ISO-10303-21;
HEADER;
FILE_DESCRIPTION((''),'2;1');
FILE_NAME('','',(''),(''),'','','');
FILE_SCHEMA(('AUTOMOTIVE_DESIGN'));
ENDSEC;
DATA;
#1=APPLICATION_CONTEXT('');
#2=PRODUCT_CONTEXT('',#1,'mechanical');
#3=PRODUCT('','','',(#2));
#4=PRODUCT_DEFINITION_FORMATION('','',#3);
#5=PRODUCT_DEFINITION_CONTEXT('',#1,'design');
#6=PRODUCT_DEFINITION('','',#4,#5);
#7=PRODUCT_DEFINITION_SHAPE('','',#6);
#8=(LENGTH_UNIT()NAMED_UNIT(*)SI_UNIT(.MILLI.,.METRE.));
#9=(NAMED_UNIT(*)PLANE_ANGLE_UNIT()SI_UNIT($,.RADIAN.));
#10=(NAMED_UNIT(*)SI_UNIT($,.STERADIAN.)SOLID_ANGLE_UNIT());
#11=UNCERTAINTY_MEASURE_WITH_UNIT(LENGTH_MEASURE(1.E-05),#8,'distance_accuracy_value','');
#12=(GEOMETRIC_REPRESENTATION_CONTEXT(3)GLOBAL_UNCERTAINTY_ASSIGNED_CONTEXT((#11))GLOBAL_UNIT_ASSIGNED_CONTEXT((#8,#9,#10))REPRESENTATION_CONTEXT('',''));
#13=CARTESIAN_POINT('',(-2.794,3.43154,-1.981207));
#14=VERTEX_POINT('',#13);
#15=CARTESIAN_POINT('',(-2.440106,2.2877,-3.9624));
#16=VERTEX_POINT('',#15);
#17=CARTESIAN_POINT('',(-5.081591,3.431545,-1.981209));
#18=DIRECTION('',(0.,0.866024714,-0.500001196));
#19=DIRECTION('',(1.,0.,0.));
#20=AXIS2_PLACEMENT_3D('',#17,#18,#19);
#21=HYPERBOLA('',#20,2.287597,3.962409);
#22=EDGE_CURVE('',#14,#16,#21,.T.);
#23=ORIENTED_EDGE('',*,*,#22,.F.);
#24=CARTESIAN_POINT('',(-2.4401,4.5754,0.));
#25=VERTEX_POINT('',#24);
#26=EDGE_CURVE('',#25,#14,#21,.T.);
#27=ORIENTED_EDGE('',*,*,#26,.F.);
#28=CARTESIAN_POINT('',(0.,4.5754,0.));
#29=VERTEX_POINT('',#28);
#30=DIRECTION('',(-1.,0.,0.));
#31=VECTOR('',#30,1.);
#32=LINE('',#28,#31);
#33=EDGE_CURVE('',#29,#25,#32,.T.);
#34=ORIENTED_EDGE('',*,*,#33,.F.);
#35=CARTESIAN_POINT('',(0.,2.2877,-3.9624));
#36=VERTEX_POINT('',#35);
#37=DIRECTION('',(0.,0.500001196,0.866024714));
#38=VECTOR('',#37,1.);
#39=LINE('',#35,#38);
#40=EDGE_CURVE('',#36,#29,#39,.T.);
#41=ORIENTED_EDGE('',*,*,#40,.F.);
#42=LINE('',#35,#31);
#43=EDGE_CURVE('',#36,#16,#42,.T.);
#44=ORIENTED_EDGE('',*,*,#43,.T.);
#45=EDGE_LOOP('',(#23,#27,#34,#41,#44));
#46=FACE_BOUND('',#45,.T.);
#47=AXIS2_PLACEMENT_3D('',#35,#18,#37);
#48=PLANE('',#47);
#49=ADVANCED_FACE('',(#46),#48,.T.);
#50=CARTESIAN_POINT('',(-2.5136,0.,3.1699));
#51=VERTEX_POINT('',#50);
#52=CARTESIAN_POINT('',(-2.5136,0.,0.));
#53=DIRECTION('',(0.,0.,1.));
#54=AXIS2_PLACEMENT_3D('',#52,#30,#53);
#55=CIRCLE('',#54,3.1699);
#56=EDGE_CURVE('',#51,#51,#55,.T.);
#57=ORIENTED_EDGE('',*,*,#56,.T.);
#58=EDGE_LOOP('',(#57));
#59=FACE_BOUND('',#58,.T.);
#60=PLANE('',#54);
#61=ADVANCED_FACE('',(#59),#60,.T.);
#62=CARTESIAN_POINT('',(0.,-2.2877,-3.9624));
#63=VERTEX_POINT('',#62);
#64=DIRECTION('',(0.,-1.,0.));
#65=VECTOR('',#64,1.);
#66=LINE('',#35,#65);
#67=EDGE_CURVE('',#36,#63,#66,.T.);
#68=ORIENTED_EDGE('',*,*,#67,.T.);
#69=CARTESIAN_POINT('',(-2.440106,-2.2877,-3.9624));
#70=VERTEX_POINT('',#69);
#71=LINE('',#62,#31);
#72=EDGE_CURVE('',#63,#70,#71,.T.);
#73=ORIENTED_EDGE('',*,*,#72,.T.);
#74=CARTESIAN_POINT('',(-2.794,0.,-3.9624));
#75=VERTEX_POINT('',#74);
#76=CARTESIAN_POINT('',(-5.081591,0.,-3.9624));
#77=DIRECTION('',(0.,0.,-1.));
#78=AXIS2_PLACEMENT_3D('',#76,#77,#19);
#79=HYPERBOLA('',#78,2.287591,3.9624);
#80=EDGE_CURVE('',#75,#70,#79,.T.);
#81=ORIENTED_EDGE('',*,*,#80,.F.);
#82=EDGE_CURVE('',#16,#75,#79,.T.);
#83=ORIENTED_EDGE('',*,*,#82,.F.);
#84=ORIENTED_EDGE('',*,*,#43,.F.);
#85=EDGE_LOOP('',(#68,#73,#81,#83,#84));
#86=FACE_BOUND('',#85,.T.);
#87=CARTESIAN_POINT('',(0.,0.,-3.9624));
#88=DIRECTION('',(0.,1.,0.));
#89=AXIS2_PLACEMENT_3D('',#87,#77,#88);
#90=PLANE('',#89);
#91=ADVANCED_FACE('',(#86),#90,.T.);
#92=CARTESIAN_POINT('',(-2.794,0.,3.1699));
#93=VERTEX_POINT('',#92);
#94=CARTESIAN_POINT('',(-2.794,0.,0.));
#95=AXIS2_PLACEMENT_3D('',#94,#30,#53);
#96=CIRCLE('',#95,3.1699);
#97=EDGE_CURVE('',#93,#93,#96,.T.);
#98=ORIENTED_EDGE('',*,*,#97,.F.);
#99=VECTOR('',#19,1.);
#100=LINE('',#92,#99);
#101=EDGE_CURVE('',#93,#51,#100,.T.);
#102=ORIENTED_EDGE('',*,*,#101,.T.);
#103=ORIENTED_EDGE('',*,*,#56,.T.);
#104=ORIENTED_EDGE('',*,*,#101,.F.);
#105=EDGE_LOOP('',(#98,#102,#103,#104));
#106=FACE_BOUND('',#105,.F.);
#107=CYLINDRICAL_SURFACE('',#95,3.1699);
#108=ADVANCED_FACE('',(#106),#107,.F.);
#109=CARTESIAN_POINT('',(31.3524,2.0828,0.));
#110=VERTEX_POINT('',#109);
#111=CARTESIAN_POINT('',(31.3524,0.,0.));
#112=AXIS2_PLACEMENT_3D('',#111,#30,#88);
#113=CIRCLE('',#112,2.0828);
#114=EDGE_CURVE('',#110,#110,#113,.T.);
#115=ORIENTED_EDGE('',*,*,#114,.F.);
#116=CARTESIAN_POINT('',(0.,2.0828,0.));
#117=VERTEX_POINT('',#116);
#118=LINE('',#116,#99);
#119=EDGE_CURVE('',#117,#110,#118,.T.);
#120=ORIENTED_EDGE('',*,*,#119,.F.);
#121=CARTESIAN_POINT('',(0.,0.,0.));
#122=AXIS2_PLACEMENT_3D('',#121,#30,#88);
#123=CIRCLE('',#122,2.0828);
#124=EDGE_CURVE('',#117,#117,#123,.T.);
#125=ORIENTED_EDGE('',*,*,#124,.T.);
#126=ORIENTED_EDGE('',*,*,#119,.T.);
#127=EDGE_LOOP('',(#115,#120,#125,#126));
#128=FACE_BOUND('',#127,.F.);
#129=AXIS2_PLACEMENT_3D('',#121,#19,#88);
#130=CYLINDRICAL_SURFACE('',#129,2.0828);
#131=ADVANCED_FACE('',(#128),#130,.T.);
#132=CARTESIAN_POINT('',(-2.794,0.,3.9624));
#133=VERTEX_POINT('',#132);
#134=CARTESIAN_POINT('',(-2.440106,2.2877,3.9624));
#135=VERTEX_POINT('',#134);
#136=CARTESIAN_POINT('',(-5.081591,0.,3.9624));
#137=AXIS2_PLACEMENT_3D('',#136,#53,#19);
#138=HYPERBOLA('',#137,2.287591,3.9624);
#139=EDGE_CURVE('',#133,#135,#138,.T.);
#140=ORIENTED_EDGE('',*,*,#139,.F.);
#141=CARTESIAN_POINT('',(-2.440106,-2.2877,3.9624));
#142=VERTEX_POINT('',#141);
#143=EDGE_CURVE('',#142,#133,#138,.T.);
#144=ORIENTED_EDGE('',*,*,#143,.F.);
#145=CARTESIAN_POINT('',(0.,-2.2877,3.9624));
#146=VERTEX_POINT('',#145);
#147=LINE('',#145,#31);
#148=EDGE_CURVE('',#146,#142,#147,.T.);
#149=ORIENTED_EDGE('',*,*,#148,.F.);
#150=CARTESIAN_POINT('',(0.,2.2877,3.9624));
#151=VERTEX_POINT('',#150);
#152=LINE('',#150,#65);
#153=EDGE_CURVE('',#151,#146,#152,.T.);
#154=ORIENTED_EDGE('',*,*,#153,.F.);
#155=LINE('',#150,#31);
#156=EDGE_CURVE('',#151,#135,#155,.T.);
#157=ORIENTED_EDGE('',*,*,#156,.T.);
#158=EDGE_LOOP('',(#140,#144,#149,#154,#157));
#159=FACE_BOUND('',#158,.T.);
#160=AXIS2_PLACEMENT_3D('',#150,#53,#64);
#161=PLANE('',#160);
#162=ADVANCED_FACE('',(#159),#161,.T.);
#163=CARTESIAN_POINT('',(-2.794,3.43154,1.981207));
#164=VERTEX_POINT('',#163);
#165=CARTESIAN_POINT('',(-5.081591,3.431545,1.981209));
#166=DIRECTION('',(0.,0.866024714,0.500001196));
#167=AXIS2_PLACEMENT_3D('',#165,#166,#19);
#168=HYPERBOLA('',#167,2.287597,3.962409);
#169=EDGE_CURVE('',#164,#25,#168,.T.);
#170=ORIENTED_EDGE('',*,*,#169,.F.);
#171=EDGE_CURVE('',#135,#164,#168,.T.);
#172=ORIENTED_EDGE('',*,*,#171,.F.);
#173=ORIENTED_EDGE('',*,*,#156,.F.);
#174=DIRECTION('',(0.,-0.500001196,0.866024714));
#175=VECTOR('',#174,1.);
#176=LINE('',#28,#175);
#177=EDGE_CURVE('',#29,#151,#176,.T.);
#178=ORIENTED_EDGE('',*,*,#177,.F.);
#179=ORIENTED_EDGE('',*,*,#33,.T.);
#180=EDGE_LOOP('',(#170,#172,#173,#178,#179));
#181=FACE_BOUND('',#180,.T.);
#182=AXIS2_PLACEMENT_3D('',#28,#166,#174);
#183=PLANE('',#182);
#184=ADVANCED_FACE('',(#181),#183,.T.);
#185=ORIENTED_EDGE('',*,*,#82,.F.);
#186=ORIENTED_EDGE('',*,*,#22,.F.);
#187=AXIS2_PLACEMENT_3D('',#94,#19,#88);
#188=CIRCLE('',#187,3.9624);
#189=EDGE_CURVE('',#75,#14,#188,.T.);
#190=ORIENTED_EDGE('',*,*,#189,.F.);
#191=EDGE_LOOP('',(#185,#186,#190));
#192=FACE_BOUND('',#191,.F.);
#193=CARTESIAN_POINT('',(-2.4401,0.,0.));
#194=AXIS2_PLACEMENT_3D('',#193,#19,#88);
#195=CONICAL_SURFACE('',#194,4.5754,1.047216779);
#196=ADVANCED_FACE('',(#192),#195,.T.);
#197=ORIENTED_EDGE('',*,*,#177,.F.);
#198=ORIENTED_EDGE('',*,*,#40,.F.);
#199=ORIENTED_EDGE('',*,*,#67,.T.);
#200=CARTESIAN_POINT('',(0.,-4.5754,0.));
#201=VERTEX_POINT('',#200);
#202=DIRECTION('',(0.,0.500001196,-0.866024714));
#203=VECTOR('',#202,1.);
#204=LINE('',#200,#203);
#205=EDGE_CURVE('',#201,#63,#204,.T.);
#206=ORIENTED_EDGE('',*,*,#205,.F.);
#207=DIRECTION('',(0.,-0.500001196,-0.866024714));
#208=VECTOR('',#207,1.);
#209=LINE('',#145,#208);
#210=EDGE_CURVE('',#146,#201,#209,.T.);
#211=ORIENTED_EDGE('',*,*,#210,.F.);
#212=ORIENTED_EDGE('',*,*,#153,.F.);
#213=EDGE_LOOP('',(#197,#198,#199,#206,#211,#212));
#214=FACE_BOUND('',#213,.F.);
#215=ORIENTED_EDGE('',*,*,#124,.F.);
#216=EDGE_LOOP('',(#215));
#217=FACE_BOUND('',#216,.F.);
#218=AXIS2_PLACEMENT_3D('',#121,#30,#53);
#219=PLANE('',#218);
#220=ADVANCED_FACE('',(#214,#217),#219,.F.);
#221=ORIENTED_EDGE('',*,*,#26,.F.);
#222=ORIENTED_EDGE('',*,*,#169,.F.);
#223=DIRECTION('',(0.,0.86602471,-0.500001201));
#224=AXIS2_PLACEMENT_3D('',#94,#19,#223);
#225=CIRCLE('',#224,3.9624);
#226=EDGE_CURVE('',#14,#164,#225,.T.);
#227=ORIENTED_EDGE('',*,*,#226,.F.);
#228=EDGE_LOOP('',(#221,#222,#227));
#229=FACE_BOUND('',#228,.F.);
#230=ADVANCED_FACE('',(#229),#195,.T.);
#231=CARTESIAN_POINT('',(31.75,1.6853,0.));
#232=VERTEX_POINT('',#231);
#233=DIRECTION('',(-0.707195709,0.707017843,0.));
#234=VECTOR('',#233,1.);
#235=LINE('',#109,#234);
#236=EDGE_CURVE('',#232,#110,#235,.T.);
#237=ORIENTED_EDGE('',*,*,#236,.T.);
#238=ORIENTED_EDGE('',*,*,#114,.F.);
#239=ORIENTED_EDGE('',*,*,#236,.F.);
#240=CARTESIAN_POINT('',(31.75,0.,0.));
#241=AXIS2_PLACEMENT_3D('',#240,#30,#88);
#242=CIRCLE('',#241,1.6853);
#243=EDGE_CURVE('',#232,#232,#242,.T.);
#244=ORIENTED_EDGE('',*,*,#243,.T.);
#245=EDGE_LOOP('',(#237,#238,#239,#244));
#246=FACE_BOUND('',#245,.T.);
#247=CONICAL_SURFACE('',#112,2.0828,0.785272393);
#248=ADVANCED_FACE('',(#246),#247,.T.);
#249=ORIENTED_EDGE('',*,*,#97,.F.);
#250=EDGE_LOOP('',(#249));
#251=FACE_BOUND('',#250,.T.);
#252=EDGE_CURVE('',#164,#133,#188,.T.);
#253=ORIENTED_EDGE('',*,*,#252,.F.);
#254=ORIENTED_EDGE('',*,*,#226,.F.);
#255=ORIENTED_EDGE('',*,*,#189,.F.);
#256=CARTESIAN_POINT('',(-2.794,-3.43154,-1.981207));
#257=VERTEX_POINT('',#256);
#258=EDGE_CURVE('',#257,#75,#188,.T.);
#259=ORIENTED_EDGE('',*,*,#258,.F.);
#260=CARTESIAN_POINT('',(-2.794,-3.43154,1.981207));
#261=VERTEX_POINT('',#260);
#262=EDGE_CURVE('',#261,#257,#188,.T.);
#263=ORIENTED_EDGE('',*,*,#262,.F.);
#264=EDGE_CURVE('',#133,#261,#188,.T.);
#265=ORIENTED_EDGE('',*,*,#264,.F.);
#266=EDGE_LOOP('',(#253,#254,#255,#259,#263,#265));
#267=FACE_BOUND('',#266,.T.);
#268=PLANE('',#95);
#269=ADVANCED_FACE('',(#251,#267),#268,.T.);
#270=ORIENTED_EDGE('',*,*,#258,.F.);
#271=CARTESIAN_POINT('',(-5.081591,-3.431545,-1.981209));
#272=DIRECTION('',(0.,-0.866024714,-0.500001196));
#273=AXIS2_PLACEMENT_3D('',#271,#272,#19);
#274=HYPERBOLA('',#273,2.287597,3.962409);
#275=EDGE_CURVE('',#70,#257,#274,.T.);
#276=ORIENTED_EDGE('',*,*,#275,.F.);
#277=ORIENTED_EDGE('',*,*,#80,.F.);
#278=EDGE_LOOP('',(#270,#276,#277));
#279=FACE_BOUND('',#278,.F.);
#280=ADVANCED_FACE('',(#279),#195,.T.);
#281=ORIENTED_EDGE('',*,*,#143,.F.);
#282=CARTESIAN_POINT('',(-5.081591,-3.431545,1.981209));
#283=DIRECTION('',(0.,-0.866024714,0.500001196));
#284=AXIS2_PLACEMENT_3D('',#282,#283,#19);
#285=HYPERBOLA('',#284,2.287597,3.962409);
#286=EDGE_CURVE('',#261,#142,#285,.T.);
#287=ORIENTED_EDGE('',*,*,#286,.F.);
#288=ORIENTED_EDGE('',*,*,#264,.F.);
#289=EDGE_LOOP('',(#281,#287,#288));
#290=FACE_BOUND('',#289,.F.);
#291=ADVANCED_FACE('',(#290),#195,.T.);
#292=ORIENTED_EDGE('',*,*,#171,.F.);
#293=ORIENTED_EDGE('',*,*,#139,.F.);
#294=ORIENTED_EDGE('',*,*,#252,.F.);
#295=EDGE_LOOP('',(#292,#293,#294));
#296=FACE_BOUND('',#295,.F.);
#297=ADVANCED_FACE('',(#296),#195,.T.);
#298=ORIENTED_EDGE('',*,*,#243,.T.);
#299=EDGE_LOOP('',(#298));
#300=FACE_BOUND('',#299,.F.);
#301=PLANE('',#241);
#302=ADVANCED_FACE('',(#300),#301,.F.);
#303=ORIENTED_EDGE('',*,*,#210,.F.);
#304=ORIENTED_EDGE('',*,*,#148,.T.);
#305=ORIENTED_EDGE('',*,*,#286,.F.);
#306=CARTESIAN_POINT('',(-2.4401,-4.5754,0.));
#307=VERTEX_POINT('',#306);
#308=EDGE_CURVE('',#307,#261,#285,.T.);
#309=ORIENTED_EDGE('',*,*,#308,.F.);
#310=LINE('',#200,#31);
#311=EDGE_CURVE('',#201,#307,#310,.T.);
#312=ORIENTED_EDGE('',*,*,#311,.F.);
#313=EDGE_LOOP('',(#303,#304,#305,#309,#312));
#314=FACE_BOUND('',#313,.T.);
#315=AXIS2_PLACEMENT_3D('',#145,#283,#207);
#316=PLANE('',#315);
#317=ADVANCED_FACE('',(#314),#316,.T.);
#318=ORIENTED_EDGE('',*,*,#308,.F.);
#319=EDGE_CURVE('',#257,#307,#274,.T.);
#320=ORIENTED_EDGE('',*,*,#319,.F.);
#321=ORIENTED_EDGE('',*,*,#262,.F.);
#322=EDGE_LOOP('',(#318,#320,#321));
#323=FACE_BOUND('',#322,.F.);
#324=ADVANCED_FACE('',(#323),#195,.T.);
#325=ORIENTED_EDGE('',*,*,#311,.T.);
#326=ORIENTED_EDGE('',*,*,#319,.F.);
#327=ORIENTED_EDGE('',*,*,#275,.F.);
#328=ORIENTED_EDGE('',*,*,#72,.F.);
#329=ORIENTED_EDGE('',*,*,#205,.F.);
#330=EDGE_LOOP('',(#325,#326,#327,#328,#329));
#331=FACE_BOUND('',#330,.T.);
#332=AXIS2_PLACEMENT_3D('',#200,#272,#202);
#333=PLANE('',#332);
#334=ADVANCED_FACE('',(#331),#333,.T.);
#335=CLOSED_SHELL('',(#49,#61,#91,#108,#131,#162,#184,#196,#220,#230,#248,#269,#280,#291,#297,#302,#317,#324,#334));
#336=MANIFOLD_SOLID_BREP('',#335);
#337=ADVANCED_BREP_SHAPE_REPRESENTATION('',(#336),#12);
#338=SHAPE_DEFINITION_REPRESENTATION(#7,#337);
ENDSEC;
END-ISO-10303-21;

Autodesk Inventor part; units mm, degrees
ref_plane "YZ Plane" through (0, 0, 0) normal (1, 0, 0) x (0, 1, 0)
ref_plane "XZ Plane" through (0, 0, 0) normal (0, 1, 0) x (-1, 0, 0)
sketch "Sketch1" plane through (0, 0, 0) normal (0, 0, 1) x (1, 0, 0)
  line L0 (0, 2.0828) -> (31.75, 2.0828)
  line L1 (31.75, 2.0828) -> (31.75, 0)
  line L2 (31.75, 0) -> (0, 0)
  line L3 (0, 0) -> (0, 2.0828)
  line L4 (0, -0.4166) -> (0, 2.4994) projected
  line L5 (-6.35, 0) -> (38.1, 0) projected
  dimension "d1" = 4.1656
  dimension "d13" = 31.75
revolve "Body" add sketch "Sketch1" angle 360 about axis through (31.75, 0, 0) along (-1, 0, 0)
sketch "Sketch2" plane through (0, 0, 0) normal (-1, 0, 0) x (0, 0, 1)
  line L0 (0, 4.5754) -> (3.9624, 2.2877)
  line L1 (3.9624, 2.2877) -> (3.9624, -2.2877)
  line L2 (3.9624, -2.2877) -> (0, -4.5754)
  line L3 (0, -4.5754) -> (-3.9624, -2.2877)
  line L4 (-3.9624, -2.2877) -> (-3.9624, 2.2877)
  line L5 (-3.9624, 2.2877) -> (0, 4.5754)
  line L6 (-5.5474, 0) -> (5.5474, 0) projected
  line L7 (0, 6.4055) -> (0, -6.4055) projected
  point P0 (0, 0)
  point P1 (0, 0)
  point P2 (0, 0)
  dimension "d8" = 7.9248
extrude "Head" add sketch "Sketch2" along normal blind 2.794
sketch "Sketch3" plane through (-2.794, 0, 0) normal (-1, 0, 0) x (0, 0, 1)
  circle A0 centre (0, 0) radius 3.1699
  point P0 (0, 0)
  dimension "d18" = 6.3398
extrude "Indent" cut sketch "Sketch3" against normal blind 0.2804
sketch "Sketch4" plane through (0, 0, 0) normal (0, 0, 1) x (1, 0, 0)
  line L0 (-2.794, 3.9624) -> (-2.794, 4.5754)
  line L1 (-2.794, 4.5754) -> (-2.4401, 4.5754)
  line L2 (-2.4401, 4.5754) -> (-2.794, 3.9624)
  line L3 (-3.3528, 0) -> (0.5588, 0) projected
  line L4 (0, 4.5754) -> (-2.794, 4.5754) projected
  line L5 (-2.794, 2.2877) -> (-2.794, 4.5754) projected
  dimension "d4" = 30
  dimension "d17" = 7.9248
revolve "Chamfer1" cut sketch "Sketch4" angle 360 about axis through (-10, 0, 0) along (1, 0, 0)
thread "Thread" size "8-32 UNC" class "2A" standard "ANSI Unified Screw Threads" length 26.9875
chamfer "Chamfer2" distance 0.3975 distance2 0.3976 1 edges at (31.75, -2.0828, 0) measured on face at (31.75, 0.0273, -0.4604)
ref_plane "Work Plane1" through (1.75, 0, 0) normal (0, 0, -1) x (1, 0, 0)
equation "\"d1\" = GD"
equation "\"d13\" = NLG"
equation "\"d8\" = SW"
equation "\"d2\" = KOH - SD"
equation "\"d18\" = KOD2"
equation "\"d4\" = ANG1"
equation "\"d17\" = SW"
equation "\"d9\" = GEL"
equation "\"d5\" = -0.5 * SPD + 0.5 * GD"
equation "\"NLG\" = 31.75"
equation "\"GD\" = NND"
equation "\"BDM\" = NND"
equation "\"KOH\" = 2.794"
equation "\"GEL\" = 26.9875"
equation "\"SW\" = 7.9248"
equation "\"SPD\" = GD1"
equation "\"SD\" = 0"
equation "\"ANG1\" = 30deg"
equation "\"GAL\" = 0.39751"
equation "\"GUL\" = GAL"
equation "\"KOH2\" = 0.1 * KOH"
equation "\"KOD2\" = 0.8 * SW"
equation "\"GD1\" = 3.37058"
equation "\"THREADDIA\" = 4.1656"
equation "\"SDH\" = SW"
equation "\"TOA\" = 30deg"
equation "\"RR\" = 0.04166"
equation "\"NND\" = 4.1656"
equation "\"SW0\" = SW"
equation "\"SD2\" = NND"
equation "\"E0\" = 1.155 * SW"
properties part number "ANSI B18.6.3 - 8-32 UNC - 1.25" material "Steel, Mild"
